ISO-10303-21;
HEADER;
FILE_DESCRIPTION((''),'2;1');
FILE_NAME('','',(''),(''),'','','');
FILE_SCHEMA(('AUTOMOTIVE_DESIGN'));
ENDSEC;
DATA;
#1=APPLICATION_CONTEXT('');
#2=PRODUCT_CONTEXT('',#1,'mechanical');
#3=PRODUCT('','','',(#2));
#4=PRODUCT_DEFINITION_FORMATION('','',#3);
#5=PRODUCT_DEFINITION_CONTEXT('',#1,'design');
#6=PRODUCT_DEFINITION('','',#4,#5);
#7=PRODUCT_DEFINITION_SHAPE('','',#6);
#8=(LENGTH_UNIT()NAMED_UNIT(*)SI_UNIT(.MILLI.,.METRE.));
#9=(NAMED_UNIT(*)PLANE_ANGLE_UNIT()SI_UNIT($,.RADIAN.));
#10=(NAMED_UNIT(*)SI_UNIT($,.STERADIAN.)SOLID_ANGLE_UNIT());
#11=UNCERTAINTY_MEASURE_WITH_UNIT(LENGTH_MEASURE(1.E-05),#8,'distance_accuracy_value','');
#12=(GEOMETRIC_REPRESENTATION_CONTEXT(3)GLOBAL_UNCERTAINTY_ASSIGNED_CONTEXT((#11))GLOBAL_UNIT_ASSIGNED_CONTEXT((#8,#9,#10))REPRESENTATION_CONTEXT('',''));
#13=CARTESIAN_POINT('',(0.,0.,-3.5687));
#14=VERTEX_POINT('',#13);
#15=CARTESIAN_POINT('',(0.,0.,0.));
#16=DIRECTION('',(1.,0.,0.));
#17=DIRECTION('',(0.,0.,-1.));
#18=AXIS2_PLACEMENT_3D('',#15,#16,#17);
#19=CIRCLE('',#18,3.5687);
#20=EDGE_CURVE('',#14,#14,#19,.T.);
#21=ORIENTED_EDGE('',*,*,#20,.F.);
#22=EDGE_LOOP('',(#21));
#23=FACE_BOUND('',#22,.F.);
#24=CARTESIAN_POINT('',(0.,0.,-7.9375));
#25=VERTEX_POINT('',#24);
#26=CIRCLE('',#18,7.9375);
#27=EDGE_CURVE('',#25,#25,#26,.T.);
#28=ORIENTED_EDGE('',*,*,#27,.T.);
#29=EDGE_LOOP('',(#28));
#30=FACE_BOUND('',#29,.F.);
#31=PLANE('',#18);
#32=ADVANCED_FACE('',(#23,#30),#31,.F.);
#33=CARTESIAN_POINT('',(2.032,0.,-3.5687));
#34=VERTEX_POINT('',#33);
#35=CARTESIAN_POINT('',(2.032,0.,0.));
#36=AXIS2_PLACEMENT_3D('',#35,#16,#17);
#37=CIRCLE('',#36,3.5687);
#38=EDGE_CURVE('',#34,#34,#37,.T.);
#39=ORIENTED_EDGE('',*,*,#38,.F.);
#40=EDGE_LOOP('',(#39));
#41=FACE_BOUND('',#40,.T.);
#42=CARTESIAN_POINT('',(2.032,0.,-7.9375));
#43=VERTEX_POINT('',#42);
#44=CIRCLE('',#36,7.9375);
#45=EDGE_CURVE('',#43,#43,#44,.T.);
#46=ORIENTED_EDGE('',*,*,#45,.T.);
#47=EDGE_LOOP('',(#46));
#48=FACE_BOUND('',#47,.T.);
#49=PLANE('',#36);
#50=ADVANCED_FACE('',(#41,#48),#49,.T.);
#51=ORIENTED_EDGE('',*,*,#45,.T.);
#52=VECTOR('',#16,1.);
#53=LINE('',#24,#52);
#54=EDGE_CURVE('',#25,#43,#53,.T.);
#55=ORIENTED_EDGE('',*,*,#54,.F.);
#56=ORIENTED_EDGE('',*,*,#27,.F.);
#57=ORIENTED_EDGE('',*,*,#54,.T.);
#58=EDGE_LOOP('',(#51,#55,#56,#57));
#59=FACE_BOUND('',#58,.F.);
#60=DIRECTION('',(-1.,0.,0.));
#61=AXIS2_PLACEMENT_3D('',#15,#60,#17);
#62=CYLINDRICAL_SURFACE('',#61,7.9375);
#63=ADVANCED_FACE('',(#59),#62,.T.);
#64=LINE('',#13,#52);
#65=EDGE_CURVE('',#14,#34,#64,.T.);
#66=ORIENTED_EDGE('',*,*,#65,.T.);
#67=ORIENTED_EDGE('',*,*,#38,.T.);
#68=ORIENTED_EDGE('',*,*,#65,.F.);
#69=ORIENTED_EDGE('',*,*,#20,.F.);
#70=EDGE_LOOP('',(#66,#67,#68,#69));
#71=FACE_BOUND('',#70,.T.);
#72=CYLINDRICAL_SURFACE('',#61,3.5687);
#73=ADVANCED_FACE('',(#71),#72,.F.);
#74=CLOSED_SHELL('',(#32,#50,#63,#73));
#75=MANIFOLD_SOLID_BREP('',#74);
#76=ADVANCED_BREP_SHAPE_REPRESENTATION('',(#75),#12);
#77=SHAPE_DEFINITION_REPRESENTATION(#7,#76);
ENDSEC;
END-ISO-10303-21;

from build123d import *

# Parameters (mm, degrees)
SKETCH1_R           = 7.9375
SKETCH1_R_2         = 3.5687
BOSS_EXTRUDE1_DEPTH = 2.032


with BuildPart() as part:
    # Sketch1 → Boss-Extrude1 (new body)
    with BuildSketch(Plane(origin=(0, 0, 0), x_dir=(0, 0, -1), z_dir=(1, 0, 0))):
        Circle(SKETCH1_R)
        Circle(SKETCH1_R_2, mode=Mode.SUBTRACT)
    extrude(amount=BOSS_EXTRUDE1_DEPTH)


solid = part.part
